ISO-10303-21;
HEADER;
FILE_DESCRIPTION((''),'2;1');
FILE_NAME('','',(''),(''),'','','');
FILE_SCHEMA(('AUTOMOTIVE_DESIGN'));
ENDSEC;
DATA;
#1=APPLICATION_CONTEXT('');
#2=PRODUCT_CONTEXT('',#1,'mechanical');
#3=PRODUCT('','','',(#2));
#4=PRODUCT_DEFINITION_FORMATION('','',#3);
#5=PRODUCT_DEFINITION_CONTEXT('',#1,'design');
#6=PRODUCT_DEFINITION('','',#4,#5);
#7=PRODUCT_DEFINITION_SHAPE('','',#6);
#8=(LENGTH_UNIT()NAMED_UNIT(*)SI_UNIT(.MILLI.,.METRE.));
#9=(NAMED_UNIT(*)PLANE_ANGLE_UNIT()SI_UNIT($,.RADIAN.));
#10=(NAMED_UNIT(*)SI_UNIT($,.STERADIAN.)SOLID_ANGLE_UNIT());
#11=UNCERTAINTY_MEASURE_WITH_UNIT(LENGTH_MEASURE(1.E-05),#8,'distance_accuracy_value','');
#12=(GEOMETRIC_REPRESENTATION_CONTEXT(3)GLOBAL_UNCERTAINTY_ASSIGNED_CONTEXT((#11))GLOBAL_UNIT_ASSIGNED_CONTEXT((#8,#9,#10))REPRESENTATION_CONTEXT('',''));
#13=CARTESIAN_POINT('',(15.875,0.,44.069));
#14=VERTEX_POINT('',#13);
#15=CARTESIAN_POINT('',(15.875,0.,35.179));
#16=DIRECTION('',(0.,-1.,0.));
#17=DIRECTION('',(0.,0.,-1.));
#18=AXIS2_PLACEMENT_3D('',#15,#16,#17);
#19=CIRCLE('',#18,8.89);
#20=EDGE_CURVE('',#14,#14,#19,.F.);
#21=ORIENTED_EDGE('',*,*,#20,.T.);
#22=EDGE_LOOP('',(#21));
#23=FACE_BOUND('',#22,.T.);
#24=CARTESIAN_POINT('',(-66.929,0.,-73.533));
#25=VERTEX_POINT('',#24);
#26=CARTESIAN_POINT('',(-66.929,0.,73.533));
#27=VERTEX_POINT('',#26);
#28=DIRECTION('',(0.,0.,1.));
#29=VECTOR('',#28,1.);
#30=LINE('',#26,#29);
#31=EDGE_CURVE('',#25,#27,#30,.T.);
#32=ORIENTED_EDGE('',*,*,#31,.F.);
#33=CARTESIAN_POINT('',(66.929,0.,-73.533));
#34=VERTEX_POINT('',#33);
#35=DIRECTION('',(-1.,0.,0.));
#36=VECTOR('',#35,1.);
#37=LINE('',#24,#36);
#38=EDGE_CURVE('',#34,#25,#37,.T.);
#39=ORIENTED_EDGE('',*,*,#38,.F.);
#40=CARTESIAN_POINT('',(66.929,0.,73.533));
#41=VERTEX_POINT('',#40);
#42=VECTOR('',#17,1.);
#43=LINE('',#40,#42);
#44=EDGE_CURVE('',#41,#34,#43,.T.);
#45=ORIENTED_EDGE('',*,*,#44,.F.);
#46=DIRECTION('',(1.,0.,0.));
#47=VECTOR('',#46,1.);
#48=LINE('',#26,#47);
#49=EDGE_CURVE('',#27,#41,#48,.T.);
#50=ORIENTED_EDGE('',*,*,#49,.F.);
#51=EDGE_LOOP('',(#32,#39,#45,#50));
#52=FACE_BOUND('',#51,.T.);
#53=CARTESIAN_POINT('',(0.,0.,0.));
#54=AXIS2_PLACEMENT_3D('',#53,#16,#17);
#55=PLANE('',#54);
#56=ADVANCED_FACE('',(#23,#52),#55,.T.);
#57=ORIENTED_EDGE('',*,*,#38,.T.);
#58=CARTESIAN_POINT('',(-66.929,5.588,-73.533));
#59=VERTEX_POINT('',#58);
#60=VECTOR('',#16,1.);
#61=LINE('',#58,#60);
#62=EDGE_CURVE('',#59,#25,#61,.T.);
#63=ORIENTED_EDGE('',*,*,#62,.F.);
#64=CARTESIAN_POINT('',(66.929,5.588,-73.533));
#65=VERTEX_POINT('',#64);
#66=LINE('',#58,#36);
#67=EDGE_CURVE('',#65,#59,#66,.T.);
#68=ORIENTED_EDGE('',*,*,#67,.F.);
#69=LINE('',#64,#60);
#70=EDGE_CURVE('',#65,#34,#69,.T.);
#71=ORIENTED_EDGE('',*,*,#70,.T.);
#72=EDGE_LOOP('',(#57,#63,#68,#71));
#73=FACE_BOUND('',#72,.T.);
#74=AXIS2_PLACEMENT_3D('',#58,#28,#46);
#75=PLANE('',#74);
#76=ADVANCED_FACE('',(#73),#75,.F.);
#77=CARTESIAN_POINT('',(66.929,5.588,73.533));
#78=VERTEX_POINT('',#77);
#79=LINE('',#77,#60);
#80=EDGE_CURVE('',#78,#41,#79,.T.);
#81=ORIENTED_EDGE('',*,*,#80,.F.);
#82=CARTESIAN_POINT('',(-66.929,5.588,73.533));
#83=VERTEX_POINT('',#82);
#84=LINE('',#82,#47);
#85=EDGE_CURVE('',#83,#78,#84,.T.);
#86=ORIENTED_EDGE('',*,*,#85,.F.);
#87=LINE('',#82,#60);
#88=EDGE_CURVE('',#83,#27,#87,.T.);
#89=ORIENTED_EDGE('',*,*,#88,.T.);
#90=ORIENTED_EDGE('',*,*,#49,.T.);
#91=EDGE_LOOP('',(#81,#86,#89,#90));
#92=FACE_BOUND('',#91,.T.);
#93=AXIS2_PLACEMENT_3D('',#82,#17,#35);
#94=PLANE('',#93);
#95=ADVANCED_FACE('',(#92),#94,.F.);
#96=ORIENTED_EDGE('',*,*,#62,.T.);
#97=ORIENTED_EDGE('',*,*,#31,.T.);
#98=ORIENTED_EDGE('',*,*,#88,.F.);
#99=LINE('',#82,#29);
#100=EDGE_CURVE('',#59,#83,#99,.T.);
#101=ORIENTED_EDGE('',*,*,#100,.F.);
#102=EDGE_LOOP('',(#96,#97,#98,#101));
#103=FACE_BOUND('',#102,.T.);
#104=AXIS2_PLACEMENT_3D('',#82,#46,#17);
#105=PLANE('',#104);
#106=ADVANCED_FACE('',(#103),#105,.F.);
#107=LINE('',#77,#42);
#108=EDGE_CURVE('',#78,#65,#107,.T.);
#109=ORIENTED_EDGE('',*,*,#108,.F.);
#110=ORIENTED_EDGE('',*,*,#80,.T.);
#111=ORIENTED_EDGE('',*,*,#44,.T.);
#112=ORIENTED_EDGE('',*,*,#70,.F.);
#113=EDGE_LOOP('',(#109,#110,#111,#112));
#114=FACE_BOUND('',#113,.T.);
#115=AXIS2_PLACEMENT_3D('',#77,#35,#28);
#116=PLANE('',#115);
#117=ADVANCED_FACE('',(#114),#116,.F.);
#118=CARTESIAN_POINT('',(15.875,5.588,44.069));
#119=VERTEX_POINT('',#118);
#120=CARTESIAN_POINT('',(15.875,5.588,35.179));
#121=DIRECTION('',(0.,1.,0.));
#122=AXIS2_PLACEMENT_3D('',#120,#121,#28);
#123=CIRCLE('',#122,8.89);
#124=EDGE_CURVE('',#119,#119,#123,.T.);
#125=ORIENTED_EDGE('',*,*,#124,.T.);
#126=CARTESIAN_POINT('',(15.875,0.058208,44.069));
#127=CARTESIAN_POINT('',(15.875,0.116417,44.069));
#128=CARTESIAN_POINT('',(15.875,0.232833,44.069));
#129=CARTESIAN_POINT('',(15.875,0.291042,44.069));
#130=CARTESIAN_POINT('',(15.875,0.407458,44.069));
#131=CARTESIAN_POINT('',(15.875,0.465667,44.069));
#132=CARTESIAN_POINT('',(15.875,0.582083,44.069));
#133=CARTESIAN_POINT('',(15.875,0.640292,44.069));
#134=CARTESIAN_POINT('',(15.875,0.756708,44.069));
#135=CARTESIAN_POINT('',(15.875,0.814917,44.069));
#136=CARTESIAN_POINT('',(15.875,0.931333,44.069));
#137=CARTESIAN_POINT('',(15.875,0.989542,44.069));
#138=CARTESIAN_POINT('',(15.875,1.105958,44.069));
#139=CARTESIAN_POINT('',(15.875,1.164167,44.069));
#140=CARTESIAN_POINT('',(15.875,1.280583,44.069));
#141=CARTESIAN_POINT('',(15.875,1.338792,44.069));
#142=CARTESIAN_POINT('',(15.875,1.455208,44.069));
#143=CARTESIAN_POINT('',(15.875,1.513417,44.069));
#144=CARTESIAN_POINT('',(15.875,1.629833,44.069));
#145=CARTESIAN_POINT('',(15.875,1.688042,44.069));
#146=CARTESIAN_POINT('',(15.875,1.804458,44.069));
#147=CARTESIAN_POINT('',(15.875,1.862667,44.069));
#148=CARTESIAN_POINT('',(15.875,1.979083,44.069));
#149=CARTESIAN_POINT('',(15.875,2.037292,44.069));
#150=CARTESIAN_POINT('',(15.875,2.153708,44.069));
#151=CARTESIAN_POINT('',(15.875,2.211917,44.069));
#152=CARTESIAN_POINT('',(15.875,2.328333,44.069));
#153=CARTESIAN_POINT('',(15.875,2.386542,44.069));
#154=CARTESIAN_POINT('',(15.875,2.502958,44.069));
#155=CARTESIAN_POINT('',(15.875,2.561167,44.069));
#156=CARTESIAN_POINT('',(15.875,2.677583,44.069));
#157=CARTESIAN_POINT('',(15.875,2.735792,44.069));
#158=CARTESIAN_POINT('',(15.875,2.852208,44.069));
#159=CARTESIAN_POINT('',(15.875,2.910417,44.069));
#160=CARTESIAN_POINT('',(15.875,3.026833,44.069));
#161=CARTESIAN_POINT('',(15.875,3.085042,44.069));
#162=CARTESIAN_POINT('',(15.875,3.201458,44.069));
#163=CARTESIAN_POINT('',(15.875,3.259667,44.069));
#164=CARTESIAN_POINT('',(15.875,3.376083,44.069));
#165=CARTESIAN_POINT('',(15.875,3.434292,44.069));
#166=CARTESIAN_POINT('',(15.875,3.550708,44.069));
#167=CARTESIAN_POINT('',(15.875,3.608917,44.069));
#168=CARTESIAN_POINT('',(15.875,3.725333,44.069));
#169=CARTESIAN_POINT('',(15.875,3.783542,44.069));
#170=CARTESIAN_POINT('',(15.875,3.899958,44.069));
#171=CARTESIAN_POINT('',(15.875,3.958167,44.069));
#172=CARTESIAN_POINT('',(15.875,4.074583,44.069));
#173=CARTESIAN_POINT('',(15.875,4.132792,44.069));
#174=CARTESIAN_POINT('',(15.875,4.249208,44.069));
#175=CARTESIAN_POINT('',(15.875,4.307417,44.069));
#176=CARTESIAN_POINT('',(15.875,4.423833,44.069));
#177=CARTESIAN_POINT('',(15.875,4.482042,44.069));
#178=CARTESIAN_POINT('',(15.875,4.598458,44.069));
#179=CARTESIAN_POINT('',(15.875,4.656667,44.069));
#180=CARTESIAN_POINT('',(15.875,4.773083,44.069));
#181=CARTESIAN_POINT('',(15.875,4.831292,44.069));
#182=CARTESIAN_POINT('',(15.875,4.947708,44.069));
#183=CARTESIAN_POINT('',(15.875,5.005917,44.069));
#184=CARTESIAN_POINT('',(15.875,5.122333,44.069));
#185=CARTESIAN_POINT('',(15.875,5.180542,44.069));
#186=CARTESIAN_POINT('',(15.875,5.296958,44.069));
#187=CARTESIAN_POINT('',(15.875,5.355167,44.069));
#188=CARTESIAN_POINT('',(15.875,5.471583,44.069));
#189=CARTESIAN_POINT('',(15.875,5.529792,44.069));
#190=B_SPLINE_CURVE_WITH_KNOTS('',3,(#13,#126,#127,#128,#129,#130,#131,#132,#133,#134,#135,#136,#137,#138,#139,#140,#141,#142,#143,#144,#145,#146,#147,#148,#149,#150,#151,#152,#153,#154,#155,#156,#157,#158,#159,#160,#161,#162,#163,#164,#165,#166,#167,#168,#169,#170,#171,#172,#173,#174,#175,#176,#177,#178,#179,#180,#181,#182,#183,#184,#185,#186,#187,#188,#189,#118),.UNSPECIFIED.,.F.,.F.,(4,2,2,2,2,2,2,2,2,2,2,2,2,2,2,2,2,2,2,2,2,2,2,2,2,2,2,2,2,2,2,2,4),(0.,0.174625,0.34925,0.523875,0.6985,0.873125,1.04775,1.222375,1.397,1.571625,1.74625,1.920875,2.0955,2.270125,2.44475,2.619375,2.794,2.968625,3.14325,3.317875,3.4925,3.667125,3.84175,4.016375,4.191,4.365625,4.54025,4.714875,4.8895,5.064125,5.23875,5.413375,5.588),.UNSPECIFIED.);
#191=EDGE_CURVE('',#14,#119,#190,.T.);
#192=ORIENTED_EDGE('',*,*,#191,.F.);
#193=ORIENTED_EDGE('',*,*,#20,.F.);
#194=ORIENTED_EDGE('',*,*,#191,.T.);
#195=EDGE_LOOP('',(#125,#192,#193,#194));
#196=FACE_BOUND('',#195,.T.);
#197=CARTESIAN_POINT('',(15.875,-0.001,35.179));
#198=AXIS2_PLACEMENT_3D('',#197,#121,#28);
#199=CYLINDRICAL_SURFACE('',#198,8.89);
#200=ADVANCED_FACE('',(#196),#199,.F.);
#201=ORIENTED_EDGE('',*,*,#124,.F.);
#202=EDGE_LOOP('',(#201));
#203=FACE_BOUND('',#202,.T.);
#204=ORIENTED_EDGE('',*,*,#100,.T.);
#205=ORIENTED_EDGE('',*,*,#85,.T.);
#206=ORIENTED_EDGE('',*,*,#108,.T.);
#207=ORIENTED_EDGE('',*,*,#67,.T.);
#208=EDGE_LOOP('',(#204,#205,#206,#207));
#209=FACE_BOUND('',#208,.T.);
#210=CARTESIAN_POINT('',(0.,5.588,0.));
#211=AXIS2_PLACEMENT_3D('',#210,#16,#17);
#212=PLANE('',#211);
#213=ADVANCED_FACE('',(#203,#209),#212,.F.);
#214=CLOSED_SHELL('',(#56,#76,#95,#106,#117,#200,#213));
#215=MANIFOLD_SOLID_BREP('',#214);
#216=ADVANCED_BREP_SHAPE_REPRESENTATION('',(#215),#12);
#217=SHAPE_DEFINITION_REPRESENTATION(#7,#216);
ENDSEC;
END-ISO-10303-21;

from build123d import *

# Parameters (mm, degrees)
SKETCH1_W           = 133.858
SKETCH1_H           = 147.066
BOSS_EXTRUDE1_DEPTH = 5.588
CUT_EXTRUDE1_REACH  = 101.588
SKETCH4_R           = 8.89


with BuildPart() as part:
    # Sketch1 → Boss-Extrude1 (new body)
    with BuildSketch(Plane(origin=(0, 0, 0), x_dir=(1, 0, 0), z_dir=(0, 1, 0))):
        Rectangle(SKETCH1_W, SKETCH1_H)
    extrude(amount=BOSS_EXTRUDE1_DEPTH)

    # Sketch4 → Cut-Extrude1 (cut, up to next)
    with BuildSketch(Plane(origin=(0, 5.588, 0), x_dir=(1, 0, 0), z_dir=(0, 1, 0)), mode=Mode.PRIVATE) as cut_extrude1_sk1:
        with Locations(Location((15.875, -35.179, 0), (0, 0, 270))):
            Circle(SKETCH4_R)
    cut_extrude1_tool1 = extrude(cut_extrude1_sk1.sketch, amount=-CUT_EXTRUDE1_REACH, mode=Mode.PRIVATE) & part.part
    add(cut_extrude1_tool1.solids().sort_by_distance((15.875, 5.588, 35.179))[0], mode=Mode.SUBTRACT)


solid = part.part
